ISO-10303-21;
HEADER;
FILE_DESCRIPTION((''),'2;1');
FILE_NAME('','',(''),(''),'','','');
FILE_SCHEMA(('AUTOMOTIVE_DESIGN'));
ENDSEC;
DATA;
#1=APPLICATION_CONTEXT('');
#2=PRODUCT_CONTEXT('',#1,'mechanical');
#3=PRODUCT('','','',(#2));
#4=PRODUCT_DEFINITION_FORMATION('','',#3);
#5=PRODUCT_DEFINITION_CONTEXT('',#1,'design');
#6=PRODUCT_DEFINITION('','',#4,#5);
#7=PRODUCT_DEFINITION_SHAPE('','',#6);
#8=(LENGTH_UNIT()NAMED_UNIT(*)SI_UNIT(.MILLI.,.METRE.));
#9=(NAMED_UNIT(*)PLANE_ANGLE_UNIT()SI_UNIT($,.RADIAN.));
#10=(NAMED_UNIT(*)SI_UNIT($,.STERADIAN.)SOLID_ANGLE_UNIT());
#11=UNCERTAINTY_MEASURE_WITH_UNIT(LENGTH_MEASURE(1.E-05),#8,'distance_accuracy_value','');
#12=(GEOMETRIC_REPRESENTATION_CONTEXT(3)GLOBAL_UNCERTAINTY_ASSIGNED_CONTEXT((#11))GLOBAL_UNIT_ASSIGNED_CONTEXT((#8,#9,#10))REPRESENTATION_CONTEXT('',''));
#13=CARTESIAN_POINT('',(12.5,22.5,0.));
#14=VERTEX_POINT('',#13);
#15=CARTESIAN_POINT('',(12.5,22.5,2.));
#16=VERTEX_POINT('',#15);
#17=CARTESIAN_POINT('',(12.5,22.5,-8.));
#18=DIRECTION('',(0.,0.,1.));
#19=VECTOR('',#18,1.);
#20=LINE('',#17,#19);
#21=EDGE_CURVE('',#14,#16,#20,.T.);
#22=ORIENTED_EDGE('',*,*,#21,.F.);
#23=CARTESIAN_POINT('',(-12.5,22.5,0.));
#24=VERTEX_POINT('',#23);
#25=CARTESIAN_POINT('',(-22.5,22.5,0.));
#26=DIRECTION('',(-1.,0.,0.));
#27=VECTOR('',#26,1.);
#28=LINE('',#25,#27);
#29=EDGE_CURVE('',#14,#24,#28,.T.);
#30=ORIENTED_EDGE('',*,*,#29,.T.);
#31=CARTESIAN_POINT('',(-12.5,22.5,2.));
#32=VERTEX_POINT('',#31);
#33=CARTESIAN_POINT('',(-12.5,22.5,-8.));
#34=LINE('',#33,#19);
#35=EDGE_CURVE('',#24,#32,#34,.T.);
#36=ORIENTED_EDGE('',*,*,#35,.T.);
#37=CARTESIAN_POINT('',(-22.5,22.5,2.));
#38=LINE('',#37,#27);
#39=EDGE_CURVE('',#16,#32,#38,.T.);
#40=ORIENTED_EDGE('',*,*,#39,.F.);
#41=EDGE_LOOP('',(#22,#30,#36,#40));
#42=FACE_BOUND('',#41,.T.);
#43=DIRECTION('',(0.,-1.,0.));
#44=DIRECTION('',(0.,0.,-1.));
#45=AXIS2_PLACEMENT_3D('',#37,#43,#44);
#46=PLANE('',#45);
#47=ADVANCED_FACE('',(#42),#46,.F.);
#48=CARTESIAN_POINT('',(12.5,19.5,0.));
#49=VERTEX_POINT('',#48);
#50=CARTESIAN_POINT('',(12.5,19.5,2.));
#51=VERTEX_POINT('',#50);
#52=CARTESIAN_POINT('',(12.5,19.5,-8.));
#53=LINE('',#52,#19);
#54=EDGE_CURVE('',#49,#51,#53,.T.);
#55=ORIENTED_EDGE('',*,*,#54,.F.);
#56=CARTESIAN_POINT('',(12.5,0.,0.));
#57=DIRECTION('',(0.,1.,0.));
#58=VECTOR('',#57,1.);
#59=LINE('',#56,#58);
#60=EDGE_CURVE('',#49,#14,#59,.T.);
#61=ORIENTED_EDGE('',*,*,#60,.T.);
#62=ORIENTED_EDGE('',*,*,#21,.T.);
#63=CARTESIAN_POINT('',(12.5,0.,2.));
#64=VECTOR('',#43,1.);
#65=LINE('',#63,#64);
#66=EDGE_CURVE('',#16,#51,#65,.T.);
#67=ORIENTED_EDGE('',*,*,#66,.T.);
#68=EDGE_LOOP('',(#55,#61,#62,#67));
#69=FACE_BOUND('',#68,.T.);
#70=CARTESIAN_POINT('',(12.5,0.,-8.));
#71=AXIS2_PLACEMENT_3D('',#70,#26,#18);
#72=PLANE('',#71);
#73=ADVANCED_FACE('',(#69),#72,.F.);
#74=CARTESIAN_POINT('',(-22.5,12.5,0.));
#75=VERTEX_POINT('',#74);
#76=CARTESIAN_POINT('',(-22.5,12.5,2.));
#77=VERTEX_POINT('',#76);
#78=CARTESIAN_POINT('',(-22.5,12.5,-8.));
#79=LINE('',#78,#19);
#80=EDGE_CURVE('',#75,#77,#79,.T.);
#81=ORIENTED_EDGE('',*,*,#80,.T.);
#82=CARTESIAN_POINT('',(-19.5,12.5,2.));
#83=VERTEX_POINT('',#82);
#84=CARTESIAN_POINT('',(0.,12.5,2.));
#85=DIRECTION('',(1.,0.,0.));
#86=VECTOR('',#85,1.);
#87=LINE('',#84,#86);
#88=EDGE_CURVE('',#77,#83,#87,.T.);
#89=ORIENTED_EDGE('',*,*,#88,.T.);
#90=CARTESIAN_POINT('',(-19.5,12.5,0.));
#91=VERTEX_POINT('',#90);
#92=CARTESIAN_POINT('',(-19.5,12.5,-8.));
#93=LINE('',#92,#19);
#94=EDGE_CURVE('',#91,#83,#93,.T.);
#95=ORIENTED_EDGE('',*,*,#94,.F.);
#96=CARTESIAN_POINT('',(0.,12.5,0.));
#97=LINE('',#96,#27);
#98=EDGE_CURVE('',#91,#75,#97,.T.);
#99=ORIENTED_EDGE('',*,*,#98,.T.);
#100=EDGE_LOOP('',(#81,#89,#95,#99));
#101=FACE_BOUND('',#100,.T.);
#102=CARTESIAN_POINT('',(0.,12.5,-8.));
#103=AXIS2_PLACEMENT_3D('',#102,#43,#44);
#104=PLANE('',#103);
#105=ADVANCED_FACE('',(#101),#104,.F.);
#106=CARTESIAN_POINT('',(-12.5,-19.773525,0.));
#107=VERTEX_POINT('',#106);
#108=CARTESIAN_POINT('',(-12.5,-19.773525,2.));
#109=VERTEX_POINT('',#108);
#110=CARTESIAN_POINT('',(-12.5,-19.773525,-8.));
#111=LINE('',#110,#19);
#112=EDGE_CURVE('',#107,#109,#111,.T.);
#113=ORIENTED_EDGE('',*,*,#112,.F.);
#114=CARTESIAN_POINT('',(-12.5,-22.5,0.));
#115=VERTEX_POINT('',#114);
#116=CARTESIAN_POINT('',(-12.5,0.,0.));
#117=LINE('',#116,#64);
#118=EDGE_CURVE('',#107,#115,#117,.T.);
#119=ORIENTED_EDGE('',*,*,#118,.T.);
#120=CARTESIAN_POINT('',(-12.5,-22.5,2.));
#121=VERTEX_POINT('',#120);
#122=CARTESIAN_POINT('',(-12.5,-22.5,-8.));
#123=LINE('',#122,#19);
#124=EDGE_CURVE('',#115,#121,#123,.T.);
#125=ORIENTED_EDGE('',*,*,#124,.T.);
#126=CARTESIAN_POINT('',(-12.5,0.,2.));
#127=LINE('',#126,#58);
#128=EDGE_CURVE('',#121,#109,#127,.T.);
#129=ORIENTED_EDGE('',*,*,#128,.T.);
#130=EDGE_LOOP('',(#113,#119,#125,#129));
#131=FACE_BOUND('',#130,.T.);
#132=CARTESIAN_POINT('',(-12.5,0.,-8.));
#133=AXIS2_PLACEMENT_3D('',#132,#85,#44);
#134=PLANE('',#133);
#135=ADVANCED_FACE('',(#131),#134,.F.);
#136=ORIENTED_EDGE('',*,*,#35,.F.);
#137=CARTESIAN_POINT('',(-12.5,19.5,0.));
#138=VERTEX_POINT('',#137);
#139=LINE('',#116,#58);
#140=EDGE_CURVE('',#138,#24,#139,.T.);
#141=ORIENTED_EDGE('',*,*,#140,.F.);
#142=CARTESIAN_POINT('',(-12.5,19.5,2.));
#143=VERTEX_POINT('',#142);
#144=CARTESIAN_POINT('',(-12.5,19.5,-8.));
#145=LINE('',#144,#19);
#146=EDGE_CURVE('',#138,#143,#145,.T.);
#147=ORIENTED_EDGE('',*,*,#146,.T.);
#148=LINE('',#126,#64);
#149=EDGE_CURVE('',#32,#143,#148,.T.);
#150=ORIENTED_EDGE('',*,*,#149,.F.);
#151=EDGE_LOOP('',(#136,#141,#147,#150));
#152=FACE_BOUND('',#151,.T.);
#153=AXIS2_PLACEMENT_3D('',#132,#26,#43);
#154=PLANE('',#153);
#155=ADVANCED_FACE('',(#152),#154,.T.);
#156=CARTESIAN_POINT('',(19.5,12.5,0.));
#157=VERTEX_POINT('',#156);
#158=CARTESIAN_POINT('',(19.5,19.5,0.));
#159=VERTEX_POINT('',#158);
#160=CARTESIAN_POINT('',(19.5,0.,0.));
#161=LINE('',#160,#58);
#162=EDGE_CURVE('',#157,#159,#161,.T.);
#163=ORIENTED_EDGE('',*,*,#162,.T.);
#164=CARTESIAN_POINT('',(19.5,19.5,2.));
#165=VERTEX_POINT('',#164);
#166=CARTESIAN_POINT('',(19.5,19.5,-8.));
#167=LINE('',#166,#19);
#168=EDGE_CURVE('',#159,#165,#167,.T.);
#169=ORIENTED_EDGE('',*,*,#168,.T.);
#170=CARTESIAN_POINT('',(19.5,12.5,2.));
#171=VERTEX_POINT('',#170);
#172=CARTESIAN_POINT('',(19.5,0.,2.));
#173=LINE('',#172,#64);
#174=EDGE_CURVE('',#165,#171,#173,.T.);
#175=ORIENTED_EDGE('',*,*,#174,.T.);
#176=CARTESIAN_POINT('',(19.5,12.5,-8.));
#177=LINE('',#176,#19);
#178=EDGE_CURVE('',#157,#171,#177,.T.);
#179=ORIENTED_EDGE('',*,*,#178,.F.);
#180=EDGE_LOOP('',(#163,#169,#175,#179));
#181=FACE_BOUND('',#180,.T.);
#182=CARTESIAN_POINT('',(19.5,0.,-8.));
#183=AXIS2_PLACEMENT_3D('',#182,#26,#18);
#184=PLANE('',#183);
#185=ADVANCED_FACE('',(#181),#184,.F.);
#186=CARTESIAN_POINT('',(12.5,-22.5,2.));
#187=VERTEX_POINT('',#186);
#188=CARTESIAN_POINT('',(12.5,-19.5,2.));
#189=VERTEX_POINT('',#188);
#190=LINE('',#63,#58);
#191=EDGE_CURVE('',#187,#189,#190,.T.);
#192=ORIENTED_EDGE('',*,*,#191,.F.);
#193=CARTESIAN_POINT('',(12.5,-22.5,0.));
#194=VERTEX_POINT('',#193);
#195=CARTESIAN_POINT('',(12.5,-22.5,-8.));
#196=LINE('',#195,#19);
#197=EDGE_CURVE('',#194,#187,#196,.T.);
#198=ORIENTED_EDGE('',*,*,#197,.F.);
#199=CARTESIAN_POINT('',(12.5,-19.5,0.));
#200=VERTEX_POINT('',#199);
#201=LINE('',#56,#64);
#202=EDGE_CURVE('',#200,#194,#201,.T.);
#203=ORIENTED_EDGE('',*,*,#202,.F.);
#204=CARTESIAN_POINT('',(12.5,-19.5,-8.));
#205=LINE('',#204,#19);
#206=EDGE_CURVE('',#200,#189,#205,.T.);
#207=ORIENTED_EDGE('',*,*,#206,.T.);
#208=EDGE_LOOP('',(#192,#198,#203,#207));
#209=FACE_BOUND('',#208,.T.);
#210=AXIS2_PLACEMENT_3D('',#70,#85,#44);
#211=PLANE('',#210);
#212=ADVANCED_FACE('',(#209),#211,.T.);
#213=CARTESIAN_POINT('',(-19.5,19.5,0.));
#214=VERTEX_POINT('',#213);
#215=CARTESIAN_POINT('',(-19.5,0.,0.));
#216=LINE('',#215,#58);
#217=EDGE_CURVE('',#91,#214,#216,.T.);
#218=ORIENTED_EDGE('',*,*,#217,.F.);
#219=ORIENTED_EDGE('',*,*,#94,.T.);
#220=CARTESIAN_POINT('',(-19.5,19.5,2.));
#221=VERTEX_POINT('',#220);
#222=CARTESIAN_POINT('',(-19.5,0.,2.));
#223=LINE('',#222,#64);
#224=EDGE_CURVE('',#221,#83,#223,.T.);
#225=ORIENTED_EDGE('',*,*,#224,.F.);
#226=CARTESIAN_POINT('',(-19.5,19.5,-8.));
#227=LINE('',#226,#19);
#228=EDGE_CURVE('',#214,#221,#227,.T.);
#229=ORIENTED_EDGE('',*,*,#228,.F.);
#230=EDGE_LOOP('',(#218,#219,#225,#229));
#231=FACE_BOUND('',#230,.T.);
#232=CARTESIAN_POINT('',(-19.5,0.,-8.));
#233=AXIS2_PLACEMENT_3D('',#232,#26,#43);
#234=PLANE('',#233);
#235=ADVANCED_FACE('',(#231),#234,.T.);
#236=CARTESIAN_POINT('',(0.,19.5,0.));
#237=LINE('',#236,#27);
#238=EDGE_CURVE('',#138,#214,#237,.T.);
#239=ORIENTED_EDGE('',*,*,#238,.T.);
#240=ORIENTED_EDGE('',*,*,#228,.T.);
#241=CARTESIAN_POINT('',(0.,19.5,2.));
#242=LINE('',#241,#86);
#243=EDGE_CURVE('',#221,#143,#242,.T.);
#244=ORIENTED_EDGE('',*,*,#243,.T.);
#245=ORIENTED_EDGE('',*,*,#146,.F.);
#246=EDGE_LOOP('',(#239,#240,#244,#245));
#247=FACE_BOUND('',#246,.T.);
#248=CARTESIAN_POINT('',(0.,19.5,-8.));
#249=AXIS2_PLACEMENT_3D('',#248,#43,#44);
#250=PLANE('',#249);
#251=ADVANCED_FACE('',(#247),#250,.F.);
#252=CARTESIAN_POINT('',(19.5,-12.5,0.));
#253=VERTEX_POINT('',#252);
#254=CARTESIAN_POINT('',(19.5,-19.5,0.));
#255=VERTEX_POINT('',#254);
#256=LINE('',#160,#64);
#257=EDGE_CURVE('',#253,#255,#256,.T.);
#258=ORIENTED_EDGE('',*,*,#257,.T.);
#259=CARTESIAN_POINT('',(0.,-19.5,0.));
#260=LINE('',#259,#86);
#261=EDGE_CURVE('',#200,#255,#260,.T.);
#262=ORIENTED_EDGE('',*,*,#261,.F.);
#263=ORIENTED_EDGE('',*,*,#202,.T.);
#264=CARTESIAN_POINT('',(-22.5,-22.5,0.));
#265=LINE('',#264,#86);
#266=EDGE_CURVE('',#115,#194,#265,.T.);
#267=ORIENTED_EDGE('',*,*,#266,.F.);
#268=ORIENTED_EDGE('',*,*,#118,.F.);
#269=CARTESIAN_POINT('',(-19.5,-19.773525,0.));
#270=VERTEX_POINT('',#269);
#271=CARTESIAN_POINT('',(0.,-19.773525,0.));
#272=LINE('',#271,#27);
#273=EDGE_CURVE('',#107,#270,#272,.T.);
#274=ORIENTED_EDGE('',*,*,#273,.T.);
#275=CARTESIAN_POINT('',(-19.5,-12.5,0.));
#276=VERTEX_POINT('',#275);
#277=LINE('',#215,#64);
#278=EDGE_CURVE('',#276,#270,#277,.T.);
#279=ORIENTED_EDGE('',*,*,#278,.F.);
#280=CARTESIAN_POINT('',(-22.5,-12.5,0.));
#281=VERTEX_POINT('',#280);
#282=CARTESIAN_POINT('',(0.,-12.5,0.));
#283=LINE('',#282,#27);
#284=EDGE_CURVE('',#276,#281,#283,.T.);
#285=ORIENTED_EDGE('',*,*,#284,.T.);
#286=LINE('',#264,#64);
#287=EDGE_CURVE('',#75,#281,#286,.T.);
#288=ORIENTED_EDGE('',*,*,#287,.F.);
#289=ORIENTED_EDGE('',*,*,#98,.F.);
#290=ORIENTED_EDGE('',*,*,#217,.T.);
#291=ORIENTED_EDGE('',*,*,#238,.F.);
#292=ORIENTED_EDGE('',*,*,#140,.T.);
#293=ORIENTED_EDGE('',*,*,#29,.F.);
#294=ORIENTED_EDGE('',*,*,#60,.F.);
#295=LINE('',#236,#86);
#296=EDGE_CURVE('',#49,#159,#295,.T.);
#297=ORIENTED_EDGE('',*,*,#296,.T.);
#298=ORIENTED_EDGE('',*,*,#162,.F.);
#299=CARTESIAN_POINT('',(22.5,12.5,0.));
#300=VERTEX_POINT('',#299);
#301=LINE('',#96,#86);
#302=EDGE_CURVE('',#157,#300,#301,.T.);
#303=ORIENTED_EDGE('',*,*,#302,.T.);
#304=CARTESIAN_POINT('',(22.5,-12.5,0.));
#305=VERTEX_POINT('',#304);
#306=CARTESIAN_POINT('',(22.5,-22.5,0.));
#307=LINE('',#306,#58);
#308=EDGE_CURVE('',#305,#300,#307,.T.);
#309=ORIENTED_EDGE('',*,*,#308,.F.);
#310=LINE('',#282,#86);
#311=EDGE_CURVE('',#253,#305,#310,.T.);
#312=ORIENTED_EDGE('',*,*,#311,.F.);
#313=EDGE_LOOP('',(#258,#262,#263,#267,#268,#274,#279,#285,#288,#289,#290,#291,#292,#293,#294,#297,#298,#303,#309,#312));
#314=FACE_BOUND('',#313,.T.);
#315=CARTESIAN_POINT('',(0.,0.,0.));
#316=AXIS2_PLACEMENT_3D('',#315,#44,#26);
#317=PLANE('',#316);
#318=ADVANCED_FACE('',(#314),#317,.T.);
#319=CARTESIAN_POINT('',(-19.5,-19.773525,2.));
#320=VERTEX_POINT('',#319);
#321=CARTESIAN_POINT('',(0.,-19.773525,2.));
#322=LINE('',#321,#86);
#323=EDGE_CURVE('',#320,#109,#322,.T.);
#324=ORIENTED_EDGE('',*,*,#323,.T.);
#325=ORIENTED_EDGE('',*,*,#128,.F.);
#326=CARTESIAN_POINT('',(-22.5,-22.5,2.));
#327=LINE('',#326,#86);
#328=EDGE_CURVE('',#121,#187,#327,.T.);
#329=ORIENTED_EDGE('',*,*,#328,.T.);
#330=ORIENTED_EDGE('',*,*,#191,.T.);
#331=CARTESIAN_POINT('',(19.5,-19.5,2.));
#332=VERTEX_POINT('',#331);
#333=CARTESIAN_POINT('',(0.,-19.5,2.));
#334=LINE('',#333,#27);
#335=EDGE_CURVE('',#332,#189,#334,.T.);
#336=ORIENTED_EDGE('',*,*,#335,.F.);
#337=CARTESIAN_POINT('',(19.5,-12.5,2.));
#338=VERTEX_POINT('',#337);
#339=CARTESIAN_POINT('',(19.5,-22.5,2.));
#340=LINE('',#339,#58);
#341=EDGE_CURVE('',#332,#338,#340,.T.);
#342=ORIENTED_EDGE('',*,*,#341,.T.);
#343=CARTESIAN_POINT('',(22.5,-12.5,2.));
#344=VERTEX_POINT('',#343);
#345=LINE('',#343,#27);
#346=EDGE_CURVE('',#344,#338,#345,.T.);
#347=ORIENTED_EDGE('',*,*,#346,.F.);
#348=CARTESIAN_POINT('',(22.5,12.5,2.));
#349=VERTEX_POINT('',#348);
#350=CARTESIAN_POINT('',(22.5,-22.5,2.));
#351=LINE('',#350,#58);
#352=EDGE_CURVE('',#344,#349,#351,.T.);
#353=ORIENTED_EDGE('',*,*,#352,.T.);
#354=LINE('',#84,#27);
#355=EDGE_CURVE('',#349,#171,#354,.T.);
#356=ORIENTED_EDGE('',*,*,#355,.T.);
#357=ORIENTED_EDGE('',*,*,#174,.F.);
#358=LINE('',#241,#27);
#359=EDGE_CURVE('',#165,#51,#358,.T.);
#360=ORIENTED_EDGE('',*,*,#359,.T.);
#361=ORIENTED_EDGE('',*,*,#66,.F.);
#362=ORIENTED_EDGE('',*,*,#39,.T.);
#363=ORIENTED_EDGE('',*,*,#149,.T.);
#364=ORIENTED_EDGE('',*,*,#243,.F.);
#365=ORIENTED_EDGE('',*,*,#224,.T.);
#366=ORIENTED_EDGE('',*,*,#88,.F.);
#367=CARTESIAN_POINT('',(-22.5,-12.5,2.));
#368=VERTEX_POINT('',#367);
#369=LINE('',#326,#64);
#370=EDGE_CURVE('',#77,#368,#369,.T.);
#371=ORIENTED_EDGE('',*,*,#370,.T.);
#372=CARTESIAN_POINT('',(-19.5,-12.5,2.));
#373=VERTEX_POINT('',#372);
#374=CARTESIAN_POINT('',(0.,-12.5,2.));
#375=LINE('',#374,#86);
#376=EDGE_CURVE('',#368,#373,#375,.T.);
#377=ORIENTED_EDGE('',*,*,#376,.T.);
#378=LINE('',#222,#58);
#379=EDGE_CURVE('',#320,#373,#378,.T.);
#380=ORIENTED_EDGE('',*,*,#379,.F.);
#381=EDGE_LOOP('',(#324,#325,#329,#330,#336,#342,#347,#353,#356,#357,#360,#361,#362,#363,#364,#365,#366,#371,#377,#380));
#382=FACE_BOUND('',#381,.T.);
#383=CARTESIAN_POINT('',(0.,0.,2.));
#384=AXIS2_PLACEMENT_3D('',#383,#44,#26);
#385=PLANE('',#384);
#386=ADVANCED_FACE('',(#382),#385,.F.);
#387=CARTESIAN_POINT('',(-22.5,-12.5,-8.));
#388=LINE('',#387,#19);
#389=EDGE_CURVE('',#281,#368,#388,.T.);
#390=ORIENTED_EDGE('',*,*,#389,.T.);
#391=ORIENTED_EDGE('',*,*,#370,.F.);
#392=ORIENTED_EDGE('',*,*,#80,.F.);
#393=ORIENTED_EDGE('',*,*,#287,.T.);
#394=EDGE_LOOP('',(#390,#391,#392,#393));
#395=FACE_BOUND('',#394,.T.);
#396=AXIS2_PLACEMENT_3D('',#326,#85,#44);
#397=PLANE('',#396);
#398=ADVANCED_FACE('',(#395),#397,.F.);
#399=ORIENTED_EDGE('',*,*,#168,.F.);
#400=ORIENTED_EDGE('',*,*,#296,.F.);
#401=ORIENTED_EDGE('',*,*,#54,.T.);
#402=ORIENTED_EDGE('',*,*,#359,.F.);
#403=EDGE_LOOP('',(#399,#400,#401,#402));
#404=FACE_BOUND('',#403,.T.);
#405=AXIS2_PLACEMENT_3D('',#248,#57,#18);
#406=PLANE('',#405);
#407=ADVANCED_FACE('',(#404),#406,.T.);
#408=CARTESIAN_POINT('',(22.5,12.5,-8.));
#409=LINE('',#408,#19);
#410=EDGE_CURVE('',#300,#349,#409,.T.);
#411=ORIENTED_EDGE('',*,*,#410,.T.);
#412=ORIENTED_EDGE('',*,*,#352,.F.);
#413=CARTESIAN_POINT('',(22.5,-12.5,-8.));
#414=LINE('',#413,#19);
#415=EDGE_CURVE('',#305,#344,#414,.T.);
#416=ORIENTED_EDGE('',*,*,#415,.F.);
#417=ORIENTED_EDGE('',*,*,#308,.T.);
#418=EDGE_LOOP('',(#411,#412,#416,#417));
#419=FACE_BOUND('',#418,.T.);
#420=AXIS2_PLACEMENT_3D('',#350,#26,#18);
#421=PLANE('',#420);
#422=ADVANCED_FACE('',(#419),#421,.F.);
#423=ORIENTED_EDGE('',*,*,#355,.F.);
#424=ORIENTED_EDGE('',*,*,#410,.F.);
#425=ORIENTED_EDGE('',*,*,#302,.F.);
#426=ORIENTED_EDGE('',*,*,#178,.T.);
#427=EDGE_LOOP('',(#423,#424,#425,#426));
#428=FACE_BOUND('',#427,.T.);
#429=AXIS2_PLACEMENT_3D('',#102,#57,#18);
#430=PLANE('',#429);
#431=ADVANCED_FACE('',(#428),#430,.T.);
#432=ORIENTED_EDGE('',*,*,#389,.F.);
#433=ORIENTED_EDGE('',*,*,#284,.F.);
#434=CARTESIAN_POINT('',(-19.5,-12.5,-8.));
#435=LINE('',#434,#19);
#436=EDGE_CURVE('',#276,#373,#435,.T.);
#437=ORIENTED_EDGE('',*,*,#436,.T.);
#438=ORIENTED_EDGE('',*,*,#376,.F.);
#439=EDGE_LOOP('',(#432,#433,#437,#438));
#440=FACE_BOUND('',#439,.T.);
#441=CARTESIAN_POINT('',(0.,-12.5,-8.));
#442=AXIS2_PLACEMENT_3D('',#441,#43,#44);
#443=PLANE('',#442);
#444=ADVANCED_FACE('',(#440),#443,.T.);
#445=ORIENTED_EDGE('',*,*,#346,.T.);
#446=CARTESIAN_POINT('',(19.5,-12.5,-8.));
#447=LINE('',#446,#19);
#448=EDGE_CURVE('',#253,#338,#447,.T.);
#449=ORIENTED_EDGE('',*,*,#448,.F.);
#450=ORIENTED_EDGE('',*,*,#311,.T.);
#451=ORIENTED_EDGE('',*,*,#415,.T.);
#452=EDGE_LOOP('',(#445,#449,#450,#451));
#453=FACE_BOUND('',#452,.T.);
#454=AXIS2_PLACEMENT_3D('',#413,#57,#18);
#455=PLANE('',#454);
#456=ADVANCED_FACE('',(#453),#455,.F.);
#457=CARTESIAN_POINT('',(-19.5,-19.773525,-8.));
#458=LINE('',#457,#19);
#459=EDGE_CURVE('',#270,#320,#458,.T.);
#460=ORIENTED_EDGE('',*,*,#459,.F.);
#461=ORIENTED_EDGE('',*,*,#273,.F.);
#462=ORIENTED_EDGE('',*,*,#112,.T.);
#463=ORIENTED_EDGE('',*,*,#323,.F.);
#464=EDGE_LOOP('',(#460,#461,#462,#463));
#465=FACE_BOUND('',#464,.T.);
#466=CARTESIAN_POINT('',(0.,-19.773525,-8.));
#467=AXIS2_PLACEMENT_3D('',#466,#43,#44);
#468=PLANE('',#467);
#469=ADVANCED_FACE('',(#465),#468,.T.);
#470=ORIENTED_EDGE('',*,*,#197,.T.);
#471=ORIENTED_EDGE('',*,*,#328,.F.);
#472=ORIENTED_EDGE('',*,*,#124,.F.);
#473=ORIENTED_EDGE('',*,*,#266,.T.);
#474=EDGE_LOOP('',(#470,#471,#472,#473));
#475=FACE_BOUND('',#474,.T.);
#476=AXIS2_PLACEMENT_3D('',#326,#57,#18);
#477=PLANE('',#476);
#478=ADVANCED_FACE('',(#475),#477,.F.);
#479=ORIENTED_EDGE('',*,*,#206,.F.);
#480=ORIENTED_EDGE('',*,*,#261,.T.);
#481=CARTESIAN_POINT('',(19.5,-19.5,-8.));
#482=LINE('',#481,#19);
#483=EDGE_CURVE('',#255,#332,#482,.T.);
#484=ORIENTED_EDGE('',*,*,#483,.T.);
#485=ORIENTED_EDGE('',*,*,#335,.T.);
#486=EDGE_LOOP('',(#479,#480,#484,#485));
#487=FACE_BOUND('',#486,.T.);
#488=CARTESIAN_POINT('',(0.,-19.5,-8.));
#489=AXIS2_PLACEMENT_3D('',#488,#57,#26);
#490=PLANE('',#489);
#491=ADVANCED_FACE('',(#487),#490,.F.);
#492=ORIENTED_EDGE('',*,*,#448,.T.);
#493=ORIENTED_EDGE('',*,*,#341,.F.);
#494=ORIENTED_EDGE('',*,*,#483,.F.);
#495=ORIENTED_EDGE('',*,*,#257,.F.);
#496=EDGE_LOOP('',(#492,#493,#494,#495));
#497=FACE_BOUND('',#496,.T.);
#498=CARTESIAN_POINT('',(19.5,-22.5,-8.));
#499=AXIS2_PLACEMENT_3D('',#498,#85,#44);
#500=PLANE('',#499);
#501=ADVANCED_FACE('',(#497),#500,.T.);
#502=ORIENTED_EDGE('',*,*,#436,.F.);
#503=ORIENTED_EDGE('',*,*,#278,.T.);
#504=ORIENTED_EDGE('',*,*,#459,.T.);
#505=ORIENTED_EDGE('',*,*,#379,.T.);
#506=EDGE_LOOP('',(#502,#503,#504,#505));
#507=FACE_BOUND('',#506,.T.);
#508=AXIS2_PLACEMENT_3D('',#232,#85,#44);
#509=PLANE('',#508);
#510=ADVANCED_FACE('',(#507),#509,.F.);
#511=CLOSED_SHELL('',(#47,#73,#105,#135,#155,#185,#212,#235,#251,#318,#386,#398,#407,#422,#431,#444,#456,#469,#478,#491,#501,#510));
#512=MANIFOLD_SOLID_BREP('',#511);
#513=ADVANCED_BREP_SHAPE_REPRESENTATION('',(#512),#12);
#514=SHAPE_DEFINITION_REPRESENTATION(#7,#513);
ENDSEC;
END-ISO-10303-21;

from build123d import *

# Parameters (mm, degrees)
SKETCH1_W           = 45
SKETCH1_H           = 45
BOSS_EXTRUDE1_DEPTH = 2
SKETCH2_W           = 7
SKETCH2_H           = 2.72647494
SKETCH2_H_2         = 3
SKETCH2_W_2         = 3
SKETCH2_H_3         = 7
CUT_EXTRUDE1_DEPTH  = 10


with BuildPart() as part:
    # Sketch1 → Boss-Extrude1 (new body)
    with BuildSketch(Plane.XY):
        Rectangle(SKETCH1_W, SKETCH1_H)
    extrude(amount=BOSS_EXTRUDE1_DEPTH)

    # Sketch2 → Cut-Extrude1 (cut)
    with BuildSketch(Plane.XY.offset(2)):
        Polygon((-22.5, -12.5), (-22.5, -22.5), (-19.5, -22.5), (-19.5, -19.77352506), (-19.5, -12.5), align=None)
        with Locations((-16, -21.13676253)):
            Rectangle(SKETCH2_W, SKETCH2_H)
        Polygon((19.5, -22.5), (22.5, -22.5), (22.5, -12.5), (19.5, -12.5), (19.5, -19.5), align=None)
        with Locations((16, -21)):
            Rectangle(SKETCH2_W, SKETCH2_H_2)
        Polygon((-12.5, 22.5), (-22.5, 22.5), (-22.5, 19.5), (-19.5, 19.5), (-12.5, 19.5), align=None)
        with Locations((-21, 16)):
            Rectangle(SKETCH2_W_2, SKETCH2_H_3)
        Polygon((22.5, 12.5), (22.5, 22.5), (19.5, 22.5), (19.5, 19.5), (19.5, 12.5), align=None)
        with Locations((16, 21)):
            Rectangle(SKETCH2_W, SKETCH2_H_2)
    extrude(amount=-CUT_EXTRUDE1_DEPTH, mode=Mode.SUBTRACT)


solid = part.part
